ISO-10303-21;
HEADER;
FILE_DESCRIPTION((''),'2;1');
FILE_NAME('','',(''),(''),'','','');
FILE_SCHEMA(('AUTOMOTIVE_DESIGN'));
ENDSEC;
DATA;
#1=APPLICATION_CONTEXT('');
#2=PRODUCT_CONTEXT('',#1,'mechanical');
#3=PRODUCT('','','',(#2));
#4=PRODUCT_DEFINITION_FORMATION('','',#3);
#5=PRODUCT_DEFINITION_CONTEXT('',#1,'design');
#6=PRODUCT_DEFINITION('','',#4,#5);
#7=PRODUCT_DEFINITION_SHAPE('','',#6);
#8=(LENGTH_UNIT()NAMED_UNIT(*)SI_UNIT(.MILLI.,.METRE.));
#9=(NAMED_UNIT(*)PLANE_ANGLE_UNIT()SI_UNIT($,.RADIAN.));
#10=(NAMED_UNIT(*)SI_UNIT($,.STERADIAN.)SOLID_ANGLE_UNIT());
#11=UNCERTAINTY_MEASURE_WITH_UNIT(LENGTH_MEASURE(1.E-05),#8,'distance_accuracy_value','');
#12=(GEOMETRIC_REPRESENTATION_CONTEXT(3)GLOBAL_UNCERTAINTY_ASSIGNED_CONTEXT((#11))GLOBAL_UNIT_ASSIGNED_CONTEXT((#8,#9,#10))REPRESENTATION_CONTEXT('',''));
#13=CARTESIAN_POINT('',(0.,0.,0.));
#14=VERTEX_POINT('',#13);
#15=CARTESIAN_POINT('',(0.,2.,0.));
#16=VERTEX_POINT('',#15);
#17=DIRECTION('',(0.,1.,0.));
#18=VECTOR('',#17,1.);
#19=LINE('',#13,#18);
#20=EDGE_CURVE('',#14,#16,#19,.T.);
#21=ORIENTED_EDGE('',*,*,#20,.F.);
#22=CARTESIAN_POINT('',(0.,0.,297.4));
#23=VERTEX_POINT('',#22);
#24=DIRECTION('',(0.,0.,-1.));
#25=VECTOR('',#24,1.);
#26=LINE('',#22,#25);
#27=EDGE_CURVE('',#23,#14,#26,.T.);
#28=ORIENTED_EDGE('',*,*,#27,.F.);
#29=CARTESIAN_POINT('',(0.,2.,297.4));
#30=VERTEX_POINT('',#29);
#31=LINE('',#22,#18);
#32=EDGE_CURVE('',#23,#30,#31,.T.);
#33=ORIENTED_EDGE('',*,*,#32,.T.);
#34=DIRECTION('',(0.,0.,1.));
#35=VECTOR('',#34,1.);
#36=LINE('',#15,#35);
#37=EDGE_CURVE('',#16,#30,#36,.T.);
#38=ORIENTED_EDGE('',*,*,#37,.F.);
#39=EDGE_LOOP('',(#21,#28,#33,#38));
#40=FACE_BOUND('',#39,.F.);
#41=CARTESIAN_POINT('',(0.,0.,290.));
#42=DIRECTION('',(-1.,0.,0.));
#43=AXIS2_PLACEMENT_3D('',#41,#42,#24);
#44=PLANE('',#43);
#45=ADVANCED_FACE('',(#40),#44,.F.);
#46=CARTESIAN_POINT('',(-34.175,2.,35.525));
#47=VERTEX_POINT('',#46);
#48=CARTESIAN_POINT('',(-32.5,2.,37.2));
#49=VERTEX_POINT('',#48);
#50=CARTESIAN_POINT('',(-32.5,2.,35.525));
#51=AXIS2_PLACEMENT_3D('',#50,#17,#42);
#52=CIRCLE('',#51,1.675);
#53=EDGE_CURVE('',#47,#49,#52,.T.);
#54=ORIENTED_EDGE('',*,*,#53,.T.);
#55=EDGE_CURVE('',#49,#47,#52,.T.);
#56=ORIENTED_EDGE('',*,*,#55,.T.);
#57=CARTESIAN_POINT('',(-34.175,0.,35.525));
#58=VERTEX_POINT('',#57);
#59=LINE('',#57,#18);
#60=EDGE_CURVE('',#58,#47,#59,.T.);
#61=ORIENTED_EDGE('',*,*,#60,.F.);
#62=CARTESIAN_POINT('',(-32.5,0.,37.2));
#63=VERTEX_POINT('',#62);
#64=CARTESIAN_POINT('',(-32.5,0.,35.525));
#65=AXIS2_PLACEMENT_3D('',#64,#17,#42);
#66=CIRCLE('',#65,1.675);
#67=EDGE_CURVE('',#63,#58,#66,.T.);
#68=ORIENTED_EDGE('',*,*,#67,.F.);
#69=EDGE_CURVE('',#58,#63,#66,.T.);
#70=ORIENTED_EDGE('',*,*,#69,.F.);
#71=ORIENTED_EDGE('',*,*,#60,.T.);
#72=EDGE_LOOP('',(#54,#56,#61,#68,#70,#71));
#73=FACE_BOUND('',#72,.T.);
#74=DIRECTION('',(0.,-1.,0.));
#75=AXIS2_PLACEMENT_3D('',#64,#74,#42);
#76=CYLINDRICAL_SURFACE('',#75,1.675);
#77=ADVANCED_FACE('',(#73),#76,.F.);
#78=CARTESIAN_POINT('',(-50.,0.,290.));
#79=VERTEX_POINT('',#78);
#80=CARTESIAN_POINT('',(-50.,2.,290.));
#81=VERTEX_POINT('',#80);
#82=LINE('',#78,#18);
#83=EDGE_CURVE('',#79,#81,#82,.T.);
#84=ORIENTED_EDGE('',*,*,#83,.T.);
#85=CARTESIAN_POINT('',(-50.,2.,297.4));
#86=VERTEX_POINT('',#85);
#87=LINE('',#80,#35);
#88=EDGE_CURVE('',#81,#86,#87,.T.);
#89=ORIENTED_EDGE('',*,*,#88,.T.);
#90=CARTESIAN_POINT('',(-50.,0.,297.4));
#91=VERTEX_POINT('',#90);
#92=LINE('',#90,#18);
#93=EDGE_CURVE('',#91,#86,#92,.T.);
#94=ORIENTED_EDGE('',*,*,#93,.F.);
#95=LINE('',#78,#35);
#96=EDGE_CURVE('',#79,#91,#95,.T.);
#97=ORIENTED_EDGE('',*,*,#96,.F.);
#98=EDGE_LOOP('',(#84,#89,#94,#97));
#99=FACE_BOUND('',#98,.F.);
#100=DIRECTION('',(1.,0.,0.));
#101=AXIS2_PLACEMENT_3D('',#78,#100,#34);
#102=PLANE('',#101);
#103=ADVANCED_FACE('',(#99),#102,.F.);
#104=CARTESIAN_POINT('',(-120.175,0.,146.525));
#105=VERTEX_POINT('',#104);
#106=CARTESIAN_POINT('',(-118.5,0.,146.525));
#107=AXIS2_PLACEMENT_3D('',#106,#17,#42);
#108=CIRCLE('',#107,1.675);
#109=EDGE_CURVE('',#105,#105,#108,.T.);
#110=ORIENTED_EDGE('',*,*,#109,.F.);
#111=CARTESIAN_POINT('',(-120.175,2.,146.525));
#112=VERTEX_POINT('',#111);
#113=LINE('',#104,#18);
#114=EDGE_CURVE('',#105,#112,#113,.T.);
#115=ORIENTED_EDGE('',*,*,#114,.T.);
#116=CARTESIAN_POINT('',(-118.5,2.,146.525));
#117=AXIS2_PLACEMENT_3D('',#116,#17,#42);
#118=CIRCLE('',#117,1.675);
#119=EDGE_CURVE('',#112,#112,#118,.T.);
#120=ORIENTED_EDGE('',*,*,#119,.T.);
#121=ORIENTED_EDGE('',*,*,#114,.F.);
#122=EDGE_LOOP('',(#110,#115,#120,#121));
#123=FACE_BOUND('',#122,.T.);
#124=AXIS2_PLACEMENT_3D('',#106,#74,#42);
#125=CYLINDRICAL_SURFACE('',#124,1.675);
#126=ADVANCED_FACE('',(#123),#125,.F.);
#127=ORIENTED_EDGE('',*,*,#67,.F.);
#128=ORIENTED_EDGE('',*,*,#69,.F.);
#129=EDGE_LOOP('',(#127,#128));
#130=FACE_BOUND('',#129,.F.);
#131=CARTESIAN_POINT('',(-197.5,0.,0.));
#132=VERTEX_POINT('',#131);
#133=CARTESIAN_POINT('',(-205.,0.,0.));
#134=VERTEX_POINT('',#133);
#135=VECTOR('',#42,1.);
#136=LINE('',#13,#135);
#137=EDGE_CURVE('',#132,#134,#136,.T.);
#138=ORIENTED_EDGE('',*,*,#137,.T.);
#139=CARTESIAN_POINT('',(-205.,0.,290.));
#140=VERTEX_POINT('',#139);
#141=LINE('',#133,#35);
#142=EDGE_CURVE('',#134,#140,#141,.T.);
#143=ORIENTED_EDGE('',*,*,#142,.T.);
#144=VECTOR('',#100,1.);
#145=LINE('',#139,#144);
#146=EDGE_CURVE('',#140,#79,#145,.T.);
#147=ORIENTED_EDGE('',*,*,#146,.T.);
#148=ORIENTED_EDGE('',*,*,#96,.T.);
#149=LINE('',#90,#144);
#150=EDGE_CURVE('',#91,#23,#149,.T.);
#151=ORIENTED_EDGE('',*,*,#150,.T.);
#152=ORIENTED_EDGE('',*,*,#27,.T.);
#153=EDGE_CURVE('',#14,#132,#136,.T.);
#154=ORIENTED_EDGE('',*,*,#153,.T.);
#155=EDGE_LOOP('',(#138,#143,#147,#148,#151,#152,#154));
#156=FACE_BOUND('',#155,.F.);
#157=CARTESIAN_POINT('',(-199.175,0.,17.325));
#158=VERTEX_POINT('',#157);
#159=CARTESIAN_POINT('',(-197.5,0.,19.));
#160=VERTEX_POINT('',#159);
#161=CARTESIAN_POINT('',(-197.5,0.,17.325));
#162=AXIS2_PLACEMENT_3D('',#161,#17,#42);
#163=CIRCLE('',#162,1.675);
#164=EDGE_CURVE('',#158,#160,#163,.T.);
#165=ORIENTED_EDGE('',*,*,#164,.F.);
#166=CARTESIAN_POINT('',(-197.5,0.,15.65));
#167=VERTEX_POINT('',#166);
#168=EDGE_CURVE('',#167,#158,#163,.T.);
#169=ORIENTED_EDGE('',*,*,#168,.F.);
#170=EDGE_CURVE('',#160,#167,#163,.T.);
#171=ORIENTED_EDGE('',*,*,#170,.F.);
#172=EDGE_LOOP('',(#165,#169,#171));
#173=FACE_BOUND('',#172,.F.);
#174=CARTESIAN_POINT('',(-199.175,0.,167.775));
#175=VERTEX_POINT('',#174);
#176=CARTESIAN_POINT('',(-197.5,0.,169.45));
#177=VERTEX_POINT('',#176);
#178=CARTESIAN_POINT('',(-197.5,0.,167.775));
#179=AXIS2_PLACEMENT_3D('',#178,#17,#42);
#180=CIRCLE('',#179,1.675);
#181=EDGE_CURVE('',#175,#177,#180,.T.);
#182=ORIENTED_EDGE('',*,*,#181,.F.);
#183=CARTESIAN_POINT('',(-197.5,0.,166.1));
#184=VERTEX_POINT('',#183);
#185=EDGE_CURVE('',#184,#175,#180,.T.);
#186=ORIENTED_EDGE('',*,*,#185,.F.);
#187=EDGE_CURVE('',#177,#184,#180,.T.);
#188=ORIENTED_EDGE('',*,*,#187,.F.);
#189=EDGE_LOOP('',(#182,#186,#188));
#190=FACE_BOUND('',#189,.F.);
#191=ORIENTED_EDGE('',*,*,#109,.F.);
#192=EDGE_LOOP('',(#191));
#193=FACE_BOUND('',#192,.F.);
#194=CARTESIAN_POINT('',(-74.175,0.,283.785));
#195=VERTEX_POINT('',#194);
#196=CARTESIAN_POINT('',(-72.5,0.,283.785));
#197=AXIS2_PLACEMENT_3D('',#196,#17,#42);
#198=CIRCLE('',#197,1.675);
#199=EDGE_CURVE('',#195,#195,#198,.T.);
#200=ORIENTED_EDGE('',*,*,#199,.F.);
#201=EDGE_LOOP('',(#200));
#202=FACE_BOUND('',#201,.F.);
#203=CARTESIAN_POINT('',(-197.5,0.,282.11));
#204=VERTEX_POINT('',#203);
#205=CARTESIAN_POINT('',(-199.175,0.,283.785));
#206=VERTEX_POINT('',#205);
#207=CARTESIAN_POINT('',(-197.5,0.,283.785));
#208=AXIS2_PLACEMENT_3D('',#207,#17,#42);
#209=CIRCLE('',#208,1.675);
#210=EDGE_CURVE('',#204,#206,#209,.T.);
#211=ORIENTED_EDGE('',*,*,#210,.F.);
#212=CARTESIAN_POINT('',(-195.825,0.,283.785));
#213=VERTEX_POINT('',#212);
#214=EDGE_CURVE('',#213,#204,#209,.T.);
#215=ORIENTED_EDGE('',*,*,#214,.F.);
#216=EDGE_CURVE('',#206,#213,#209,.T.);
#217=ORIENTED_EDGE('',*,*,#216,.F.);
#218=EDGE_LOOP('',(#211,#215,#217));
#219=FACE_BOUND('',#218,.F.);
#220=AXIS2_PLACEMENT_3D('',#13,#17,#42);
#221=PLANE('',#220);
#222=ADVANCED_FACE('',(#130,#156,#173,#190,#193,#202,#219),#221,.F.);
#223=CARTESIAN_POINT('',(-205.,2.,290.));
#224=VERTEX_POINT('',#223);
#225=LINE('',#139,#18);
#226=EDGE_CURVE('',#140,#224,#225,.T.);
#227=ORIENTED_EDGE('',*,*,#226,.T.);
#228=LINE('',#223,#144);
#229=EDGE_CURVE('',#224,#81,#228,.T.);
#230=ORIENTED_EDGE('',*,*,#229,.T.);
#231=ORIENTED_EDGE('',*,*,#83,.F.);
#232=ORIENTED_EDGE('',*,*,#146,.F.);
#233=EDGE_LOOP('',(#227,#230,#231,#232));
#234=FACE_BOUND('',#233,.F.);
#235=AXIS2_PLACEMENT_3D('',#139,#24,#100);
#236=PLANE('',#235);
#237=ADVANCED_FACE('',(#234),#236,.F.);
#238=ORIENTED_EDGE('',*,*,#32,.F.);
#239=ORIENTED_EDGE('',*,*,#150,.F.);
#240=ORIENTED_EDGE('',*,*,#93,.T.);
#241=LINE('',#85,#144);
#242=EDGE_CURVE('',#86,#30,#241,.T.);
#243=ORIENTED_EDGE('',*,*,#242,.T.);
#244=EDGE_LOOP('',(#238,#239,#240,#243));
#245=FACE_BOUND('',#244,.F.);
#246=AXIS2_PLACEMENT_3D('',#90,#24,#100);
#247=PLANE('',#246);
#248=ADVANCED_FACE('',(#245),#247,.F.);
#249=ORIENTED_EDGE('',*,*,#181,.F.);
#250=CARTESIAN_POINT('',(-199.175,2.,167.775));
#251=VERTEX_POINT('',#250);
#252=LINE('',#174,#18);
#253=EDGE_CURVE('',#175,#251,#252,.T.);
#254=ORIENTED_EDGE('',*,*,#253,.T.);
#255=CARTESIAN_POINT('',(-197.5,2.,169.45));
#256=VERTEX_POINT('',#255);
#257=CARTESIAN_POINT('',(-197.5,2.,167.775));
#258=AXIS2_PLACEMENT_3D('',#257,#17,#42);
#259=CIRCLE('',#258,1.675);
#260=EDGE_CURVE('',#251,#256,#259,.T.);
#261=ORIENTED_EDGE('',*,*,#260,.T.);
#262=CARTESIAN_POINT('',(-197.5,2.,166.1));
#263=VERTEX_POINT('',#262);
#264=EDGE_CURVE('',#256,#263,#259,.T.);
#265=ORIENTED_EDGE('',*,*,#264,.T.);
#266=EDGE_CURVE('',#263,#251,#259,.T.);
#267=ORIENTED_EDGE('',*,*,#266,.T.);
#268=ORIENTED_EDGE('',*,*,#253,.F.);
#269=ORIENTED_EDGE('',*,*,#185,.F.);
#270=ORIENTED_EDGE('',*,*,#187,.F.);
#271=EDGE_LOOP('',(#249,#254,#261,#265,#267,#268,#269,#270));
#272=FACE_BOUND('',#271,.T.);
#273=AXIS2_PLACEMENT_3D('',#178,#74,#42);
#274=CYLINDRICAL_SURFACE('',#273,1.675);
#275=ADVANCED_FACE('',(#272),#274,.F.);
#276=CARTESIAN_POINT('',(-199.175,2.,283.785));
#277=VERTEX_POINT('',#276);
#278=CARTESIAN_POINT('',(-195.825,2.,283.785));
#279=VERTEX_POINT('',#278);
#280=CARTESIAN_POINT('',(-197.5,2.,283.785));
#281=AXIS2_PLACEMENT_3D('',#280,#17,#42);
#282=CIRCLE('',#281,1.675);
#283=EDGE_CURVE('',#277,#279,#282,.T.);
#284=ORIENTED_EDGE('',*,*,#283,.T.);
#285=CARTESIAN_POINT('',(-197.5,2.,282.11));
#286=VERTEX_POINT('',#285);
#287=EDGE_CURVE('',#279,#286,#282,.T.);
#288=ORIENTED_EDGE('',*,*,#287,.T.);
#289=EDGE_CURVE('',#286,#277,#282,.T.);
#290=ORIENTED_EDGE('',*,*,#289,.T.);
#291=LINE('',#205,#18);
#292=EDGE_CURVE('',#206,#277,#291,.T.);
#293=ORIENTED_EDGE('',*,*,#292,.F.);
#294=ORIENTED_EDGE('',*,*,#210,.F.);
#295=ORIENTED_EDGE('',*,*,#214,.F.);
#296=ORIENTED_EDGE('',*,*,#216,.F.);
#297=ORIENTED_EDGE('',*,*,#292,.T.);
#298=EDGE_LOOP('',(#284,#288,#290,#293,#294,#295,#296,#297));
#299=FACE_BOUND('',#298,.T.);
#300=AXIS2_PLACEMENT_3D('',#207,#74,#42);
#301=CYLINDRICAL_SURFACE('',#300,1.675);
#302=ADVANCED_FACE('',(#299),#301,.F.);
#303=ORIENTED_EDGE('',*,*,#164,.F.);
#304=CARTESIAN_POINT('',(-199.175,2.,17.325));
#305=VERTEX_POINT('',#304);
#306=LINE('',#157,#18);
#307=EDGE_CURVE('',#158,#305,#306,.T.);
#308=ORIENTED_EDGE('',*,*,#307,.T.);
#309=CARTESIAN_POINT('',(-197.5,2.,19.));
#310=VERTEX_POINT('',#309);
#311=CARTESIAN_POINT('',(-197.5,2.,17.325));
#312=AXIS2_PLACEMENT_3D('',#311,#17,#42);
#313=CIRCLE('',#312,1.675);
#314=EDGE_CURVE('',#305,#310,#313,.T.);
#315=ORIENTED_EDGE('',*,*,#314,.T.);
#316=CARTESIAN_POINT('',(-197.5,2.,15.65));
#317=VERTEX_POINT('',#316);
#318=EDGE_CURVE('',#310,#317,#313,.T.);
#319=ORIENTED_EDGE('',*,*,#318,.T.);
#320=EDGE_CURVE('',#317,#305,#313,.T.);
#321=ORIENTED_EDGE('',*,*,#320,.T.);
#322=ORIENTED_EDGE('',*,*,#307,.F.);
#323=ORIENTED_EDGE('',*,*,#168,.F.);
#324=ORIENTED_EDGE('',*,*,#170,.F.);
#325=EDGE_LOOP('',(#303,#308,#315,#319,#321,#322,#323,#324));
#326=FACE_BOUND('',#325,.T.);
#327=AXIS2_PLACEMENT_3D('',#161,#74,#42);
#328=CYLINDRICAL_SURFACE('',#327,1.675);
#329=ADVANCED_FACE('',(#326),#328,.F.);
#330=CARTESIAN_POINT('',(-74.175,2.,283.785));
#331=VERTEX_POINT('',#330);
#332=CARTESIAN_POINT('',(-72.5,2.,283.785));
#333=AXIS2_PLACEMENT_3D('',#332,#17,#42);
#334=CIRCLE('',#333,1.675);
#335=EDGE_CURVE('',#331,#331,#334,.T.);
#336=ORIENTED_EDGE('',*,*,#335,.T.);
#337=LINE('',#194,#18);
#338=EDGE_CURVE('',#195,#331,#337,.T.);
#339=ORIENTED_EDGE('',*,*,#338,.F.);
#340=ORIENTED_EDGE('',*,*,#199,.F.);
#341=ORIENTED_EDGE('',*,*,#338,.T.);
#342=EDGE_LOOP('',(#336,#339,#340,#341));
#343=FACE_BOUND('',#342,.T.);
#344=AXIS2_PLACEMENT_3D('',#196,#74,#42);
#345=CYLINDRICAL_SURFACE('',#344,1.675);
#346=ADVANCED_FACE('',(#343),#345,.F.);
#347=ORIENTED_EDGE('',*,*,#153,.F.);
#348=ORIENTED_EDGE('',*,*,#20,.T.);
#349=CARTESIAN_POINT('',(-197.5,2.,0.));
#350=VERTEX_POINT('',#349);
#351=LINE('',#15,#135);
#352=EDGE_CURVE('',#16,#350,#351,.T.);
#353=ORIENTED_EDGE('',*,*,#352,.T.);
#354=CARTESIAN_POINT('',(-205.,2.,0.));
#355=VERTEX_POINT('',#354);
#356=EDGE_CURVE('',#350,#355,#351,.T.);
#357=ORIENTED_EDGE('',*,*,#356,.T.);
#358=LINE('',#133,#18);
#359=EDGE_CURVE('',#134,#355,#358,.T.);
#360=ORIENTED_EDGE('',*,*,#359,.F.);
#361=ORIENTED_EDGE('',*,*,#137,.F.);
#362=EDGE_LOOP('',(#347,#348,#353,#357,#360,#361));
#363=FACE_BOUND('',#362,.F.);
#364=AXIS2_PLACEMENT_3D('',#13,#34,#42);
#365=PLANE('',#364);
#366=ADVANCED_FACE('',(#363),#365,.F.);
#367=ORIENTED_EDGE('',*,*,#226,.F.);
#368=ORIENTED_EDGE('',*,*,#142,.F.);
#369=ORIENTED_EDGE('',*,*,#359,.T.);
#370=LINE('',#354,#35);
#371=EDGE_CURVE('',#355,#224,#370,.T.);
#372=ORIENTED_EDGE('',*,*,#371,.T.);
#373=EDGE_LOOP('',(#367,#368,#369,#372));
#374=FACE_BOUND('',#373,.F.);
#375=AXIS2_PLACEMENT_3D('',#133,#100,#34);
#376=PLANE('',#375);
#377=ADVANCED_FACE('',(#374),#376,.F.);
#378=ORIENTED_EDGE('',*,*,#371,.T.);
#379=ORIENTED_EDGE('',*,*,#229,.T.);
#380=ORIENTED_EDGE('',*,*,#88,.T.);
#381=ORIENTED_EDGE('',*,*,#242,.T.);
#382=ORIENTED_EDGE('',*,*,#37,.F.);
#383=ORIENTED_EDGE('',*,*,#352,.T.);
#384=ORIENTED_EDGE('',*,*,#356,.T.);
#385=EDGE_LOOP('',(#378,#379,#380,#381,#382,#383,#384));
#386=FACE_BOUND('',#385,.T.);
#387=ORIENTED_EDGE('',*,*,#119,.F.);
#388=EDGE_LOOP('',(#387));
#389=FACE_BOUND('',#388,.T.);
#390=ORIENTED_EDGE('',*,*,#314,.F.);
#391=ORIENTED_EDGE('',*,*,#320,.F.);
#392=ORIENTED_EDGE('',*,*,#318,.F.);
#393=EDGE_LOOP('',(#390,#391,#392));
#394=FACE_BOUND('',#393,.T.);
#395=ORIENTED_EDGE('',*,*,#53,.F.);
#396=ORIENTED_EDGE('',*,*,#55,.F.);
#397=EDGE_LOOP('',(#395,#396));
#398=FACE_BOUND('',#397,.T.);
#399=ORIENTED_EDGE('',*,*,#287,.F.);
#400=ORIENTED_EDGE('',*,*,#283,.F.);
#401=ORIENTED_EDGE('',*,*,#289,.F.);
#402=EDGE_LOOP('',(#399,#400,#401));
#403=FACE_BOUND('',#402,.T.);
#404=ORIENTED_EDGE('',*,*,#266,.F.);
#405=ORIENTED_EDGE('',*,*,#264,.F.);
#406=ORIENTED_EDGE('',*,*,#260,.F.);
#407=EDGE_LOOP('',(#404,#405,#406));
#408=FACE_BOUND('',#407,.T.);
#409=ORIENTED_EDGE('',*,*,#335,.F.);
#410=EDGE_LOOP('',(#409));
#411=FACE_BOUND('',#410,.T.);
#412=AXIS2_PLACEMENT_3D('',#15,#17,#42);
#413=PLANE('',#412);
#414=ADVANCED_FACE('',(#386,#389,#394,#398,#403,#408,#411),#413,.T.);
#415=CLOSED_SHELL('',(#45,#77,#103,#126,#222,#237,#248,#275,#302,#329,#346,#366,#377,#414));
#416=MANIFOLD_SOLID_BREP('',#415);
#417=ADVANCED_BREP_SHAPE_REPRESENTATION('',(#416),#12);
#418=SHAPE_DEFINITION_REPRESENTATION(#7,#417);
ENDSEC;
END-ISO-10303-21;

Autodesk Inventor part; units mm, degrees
ref_plane "YZ Plane" through (0, 0, 0) normal (1, 0, 0) x (0, 1, 0)
ref_plane "XZ Plane" through (0, 0, 0) normal (0, 1, 0) x (-1, 0, 0)
ref_plane "XY Plane" through (0, 0, 0) normal (0, 0, 1) x (1, 0, 0)
sketch "Sketch1" plane through (0, 0, 0) normal (0, 1, 0) x (-1, 0, 0)
  line L0 (0, 0) -> (205, 0)
  line L1 (205, 0) -> (205, 290)
  line L2 (205, 290) -> (0, 290)
  line L3 (0, 290) -> (0, 0)
  line L4 (0, 290) -> (50, 290)
  line L5 (50, 290) -> (50, 297.4)
  line L6 (50, 297.4) -> (0, 297.4)
  line L7 (0, 297.4) -> (0, 290)
  line L8 (205, 0) -> (197.5, 0)
  line L9 (197.5, 0) -> (197.5, 17.325)
  circle A0 centre (197.5, 17.325) radius 1.675
  line L10 (197.5, 17.325) -> (197.5, 154.225)
  line L11 (197.5, 154.225) -> (197.5, 167.775)
  circle A1 centre (197.5, 167.775) radius 1.675
  line L12 (197.5, 167.775) -> (197.5, 283.785)
  circle A2 centre (197.5, 283.785) radius 1.675
  line L13 (197.5, 167.775) -> (197.5, 146.525)
  line L14 (197.5, 146.525) -> (118.5, 146.525)
  circle A3 centre (118.5, 146.525) radius 1.675
  line L15 (197.5, 283.785) -> (72.5, 283.785)
  circle A4 centre (72.5, 283.785) radius 1.675
  line L16 (197.5, 17.325) -> (197.5, 38.875)
  line L17 (197.5, 38.875) -> (32.5, 38.875)
  line L18 (32.5, 38.875) -> (32.5, 35.525)
  circle A5 centre (32.5, 35.525) radius 1.675
  dimension "d0" = 205
  dimension "d1" = 290
  dimension "d2" = 50
  dimension "d3" = 7.4
  dimension "d4" = 7.5
  dimension "d5" = 17.325
  dimension "d6" = 3.35
  dimension "d7" = 136.9
  dimension "d8" = 13.55
  dimension "d9" = 3.35
  dimension "d10" = 116.01
  dimension "d11" = 3.35
  dimension "d12" = 21.25
  dimension "d13" = 79
  dimension "d14" = 3.35
  dimension "d15" = 125
  dimension "d16" = 3.35
  dimension "d17" = 21.55
  dimension "d18" = 165
  dimension "d24" = 3.35
extrude "Extrusion2" add sketch "Sketch1" along normal blind 2
properties part number "base_main_pcb"
